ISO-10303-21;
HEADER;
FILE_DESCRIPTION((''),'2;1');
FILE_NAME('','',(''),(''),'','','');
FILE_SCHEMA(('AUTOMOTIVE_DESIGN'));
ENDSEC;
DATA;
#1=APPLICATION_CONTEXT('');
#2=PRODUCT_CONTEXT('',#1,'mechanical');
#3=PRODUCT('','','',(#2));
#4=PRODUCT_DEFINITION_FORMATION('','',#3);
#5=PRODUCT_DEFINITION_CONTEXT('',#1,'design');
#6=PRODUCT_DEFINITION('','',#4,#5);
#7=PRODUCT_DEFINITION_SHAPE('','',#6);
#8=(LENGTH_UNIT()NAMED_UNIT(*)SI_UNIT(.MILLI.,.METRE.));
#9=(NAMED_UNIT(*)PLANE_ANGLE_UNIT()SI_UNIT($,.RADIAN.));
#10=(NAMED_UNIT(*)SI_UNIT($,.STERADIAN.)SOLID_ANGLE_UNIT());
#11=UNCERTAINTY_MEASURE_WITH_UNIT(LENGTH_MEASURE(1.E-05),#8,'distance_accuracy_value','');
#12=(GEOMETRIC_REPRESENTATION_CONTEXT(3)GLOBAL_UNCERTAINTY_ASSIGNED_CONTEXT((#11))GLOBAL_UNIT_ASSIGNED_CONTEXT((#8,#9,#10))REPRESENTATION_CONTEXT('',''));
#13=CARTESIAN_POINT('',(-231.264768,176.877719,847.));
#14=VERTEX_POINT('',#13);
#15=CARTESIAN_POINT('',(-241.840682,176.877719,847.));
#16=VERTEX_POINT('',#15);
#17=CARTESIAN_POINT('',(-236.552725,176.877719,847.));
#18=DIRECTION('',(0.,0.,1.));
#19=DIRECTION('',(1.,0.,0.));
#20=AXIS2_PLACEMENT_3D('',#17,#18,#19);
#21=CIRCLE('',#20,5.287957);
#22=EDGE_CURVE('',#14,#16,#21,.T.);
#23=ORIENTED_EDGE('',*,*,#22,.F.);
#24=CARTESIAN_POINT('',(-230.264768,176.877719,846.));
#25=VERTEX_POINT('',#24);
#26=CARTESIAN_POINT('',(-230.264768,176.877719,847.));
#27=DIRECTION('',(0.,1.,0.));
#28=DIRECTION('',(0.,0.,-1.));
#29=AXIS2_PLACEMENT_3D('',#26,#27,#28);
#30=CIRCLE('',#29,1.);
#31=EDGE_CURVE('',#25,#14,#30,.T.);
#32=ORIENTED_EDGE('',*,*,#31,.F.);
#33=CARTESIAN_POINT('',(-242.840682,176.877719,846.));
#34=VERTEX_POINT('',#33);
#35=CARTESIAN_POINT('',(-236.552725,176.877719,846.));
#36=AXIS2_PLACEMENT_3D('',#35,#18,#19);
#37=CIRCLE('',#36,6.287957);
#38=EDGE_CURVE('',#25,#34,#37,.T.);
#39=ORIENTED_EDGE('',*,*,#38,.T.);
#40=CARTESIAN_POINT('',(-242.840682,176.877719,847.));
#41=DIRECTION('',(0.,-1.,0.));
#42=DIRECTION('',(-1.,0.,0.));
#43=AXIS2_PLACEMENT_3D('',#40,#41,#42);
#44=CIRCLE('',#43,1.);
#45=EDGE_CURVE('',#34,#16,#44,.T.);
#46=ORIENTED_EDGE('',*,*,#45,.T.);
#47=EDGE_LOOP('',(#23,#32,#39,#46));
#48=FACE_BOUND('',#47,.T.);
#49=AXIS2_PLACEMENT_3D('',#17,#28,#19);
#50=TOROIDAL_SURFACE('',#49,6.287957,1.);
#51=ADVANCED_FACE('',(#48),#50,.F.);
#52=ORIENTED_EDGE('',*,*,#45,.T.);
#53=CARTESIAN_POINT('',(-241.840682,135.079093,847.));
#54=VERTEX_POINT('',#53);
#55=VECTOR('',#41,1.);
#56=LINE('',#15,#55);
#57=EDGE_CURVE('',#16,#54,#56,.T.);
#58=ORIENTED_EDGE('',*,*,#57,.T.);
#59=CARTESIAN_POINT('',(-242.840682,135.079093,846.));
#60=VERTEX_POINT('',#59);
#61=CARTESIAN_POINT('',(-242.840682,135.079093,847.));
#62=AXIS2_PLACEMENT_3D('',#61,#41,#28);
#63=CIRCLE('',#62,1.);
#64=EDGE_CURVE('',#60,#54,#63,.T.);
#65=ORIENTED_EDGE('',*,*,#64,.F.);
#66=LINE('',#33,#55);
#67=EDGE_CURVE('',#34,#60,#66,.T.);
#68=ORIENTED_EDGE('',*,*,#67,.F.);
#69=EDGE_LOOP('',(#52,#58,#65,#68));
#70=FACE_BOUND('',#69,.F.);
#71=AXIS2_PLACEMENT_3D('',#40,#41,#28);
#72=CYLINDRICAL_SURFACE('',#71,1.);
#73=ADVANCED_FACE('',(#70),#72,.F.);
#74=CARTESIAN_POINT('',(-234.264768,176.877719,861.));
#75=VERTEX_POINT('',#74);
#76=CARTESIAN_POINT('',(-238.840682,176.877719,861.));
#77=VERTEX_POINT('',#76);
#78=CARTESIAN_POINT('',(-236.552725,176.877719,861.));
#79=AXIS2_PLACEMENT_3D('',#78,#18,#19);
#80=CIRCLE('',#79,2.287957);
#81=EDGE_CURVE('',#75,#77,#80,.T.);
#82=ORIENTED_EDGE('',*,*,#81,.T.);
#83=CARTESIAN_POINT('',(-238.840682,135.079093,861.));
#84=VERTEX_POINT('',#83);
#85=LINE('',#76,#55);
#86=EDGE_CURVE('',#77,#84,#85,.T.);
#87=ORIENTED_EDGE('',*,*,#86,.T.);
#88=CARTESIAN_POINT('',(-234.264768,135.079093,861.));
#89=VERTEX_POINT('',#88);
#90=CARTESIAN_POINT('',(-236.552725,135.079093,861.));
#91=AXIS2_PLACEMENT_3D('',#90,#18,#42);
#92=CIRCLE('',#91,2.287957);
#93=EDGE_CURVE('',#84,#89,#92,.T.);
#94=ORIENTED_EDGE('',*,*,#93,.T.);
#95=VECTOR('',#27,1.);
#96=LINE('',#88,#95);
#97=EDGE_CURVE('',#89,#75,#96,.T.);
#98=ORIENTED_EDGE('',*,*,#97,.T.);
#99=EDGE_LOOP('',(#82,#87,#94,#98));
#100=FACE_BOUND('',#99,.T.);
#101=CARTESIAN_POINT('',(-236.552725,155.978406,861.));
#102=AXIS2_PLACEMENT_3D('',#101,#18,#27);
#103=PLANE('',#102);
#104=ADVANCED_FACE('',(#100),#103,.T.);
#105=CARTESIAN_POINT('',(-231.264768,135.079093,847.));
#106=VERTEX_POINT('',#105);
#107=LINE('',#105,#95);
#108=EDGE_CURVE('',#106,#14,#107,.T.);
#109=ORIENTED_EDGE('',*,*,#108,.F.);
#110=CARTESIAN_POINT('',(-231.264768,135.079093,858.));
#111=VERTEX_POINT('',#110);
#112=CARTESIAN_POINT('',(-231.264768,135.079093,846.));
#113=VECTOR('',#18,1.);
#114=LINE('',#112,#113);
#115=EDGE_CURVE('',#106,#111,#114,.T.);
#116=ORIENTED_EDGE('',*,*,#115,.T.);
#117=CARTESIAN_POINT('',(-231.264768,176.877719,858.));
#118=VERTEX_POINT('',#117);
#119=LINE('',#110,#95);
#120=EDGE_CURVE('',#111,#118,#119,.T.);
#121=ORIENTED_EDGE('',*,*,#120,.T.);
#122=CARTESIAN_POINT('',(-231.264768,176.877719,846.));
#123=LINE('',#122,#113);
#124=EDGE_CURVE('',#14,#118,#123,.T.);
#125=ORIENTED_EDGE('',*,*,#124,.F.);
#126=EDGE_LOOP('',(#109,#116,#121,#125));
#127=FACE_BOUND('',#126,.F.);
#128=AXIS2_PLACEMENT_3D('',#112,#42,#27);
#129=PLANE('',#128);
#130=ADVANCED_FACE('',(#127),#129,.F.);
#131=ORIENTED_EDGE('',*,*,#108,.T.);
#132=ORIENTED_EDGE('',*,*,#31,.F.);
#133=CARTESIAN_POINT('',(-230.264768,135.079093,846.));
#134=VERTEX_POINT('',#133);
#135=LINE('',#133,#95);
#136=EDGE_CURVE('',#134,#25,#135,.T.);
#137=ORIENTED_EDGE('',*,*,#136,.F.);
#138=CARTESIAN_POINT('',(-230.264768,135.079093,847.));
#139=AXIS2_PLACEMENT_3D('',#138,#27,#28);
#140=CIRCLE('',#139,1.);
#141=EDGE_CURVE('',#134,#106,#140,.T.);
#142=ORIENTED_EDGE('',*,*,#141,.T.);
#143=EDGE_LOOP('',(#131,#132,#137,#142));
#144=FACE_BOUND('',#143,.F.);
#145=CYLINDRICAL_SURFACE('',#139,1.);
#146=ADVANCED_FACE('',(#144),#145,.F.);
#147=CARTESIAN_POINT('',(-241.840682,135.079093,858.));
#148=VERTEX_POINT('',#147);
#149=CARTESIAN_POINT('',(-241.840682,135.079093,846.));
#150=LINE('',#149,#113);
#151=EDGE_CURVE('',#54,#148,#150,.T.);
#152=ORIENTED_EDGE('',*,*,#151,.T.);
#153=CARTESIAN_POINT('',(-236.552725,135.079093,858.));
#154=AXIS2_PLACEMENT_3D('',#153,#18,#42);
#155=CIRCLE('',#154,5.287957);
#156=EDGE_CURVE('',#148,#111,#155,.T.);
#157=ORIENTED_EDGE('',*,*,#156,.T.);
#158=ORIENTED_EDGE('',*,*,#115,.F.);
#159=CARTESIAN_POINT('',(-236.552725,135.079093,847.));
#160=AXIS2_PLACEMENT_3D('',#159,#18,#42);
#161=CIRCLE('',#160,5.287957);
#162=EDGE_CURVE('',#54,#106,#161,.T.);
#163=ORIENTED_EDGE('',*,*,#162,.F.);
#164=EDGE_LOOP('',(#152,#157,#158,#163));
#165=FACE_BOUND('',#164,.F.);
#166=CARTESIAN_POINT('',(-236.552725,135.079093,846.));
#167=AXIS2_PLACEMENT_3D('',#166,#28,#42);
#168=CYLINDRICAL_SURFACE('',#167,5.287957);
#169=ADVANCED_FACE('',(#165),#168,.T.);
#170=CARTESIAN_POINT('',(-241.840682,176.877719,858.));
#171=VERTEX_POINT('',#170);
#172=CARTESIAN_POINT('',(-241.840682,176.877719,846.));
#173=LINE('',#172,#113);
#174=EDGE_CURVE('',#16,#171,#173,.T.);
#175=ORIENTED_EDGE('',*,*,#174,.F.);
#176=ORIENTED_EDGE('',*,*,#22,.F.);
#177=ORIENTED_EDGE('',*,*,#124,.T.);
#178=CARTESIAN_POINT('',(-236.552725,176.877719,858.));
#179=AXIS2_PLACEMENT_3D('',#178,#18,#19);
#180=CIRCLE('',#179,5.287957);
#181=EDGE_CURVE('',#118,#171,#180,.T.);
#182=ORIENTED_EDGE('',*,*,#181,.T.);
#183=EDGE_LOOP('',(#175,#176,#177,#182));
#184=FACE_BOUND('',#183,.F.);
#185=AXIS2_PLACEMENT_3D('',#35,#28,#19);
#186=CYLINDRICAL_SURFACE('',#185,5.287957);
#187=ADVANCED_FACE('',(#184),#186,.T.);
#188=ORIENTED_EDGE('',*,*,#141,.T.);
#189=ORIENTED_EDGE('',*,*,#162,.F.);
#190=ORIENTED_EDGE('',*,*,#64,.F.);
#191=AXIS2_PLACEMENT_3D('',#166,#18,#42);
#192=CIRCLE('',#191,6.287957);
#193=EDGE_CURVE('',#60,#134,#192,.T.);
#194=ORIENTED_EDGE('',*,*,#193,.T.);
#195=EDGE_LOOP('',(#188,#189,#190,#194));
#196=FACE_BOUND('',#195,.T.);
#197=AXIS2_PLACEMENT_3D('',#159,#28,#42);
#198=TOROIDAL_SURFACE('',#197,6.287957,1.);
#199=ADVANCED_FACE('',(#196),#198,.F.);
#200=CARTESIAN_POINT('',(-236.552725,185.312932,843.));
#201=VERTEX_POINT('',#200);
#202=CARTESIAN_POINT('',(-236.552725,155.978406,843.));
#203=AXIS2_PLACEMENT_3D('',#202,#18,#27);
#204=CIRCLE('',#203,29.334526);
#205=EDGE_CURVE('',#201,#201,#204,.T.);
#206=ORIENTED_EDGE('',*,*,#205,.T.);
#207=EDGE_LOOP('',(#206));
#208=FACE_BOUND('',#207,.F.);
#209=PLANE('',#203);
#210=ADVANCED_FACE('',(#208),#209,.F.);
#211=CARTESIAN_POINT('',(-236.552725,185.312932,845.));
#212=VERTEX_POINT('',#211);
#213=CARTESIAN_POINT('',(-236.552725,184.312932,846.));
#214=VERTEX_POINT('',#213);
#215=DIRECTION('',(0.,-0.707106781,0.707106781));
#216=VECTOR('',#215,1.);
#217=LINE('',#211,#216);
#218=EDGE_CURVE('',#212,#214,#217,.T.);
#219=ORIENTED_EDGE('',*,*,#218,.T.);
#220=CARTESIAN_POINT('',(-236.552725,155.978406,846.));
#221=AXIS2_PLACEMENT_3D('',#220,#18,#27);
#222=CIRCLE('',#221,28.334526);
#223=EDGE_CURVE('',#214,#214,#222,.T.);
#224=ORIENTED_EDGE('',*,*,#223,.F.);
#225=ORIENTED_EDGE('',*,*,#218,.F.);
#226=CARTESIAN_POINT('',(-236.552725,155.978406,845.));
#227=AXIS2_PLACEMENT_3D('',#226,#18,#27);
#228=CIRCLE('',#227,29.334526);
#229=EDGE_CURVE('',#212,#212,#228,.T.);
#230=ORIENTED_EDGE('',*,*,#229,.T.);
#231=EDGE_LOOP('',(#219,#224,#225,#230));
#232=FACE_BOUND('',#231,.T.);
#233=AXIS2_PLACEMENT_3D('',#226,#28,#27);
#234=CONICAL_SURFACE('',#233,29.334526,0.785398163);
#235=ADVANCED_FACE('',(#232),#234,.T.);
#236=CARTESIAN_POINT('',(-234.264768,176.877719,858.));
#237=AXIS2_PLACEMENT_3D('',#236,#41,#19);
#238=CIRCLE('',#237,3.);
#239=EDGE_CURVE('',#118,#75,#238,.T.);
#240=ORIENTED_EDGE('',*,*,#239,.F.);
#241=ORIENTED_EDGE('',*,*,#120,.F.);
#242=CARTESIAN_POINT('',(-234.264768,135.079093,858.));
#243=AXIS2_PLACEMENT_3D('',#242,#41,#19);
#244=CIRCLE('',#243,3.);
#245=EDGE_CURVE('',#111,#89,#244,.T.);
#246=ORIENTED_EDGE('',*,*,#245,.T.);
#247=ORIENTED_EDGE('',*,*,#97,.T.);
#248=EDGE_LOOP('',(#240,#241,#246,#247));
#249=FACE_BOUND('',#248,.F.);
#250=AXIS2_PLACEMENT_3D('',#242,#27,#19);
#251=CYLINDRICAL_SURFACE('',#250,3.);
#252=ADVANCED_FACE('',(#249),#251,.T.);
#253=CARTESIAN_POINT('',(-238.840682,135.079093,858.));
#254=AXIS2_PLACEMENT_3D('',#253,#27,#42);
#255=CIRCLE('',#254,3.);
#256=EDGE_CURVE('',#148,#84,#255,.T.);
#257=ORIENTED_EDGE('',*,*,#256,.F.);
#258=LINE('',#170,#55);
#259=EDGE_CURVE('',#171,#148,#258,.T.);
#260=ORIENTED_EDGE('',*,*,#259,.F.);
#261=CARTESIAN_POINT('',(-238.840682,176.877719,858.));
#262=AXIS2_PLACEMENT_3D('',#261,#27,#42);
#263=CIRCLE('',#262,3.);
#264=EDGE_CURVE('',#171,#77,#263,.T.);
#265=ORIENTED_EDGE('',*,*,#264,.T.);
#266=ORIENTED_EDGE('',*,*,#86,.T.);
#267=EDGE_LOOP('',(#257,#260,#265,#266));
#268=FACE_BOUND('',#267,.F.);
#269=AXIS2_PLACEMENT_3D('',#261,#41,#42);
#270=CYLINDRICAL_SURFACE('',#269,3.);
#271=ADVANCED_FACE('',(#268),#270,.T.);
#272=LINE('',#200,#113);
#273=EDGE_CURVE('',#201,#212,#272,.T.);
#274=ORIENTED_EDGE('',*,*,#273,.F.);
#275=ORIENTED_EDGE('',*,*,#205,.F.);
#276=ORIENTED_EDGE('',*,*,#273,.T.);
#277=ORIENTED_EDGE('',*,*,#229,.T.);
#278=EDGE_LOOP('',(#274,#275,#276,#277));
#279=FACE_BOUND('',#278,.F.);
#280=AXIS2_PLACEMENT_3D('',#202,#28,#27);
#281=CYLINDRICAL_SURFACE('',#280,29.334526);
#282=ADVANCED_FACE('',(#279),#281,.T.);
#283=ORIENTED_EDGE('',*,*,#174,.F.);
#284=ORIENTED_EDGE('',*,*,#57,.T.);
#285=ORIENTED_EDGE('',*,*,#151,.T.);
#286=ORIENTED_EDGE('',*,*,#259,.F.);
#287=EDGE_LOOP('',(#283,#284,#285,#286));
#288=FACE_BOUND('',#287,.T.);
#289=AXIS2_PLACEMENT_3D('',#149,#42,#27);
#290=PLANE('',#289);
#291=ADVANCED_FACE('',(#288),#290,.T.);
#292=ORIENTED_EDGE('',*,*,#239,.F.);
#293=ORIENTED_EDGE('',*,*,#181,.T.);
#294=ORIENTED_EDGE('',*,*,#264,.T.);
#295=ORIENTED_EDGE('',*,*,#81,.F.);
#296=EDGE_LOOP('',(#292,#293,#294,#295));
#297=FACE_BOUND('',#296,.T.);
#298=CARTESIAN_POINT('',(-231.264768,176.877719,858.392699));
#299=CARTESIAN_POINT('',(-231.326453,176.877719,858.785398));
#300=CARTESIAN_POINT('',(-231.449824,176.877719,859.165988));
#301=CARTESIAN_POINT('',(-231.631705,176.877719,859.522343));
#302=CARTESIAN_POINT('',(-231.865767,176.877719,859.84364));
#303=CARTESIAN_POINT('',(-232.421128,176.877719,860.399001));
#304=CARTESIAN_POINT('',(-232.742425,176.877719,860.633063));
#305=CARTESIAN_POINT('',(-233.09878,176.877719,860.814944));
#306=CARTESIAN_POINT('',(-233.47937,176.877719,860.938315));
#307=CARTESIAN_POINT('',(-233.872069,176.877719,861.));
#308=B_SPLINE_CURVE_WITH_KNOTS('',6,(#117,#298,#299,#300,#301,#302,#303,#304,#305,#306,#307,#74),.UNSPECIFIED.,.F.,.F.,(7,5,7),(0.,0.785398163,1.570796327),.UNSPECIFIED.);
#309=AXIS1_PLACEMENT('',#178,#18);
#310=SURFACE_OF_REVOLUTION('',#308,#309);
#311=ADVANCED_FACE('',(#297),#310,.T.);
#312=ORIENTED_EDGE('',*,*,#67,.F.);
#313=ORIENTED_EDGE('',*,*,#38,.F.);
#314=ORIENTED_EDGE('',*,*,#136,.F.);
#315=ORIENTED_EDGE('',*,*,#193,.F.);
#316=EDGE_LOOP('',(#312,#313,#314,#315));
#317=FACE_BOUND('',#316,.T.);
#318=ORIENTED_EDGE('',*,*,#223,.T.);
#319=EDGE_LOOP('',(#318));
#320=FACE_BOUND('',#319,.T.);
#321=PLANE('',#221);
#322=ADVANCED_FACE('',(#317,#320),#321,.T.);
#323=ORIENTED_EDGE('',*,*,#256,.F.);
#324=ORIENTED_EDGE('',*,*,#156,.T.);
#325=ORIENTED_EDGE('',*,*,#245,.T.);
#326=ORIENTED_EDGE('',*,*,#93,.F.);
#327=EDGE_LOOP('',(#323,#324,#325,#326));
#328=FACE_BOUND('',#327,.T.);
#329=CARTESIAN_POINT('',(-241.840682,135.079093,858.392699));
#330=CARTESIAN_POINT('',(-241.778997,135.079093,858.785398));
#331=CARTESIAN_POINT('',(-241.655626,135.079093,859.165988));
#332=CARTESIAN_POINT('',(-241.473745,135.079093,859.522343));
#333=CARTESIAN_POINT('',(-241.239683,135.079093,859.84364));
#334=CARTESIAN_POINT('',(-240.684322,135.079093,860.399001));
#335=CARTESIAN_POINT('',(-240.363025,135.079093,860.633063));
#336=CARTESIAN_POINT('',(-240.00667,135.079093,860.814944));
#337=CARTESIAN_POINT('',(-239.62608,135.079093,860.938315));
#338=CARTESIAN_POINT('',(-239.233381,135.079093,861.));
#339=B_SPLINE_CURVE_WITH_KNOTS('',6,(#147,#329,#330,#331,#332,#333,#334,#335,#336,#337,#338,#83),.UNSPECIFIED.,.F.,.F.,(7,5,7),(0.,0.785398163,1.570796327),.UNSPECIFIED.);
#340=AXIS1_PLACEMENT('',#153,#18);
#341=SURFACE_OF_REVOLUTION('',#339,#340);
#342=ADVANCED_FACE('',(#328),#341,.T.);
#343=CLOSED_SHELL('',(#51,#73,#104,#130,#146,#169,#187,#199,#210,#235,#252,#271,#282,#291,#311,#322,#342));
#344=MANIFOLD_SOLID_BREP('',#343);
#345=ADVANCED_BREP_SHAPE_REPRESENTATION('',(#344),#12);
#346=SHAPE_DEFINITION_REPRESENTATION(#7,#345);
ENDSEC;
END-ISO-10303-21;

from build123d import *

# Parameters (mm, degrees)
SKETCH014_R  = 29.334526
PAD010_DEPTH = 3
PAD011_DEPTH = 15
CHAMFER_SIZE = 1
FILLET007_R  = 1
FILLET008_R  = 3


with BuildPart() as part:
    # Sketch014 (on DatumPlane) → Pad010 (new body)
    with BuildSketch(Plane(origin=(-236.552725, 155.978406, 843), x_dir=(0, 1, 0), z_dir=(0, 0, 1))):
        Circle(SKETCH014_R)
    extrude(amount=PAD010_DEPTH)

    # Sketch015 (on Face3 of Pad010) → Pad011 (join)
    with BuildSketch(Plane(origin=(-236.552725, 155.978406, 846), x_dir=(0, 1, 0), z_dir=(0, 0, 1))):
        with BuildLine():
            ThreePointArc((-20.899313, 5.287957), (-26.18727, 0), (-20.899313, -5.287957))
            Line((-20.899313, -5.287957), (20.899313, -5.287957))
            ThreePointArc((20.899313, -5.287957), (26.18727, 0), (20.899313, 5.287957))
            Line((-20.899313, 5.287957), (20.899313, 5.287957))
        make_face()
    extrude(amount=PAD011_DEPTH)

    # Chamfer
    chamfer_edges = [part.edges().sort_by_distance(p)[0] for p in [
        (-236.552725, 126.64388, 846),
    ]]
    chamfer(chamfer_edges, length=CHAMFER_SIZE)

    # Fillet007
    fillet007_edges = [part.edges().sort_by_distance(p)[0] for p in [
        (-231.264768, 155.978406, 846),
    ]]
    fillet(fillet007_edges, radius=FILLET007_R)

    # Fillet008
    fillet008_edges = [part.edges().sort_by_distance(p)[0] for p in [
        (-231.264768, 155.978406, 861),
    ]]
    fillet(fillet008_edges, radius=FILLET008_R)


solid = part.part
